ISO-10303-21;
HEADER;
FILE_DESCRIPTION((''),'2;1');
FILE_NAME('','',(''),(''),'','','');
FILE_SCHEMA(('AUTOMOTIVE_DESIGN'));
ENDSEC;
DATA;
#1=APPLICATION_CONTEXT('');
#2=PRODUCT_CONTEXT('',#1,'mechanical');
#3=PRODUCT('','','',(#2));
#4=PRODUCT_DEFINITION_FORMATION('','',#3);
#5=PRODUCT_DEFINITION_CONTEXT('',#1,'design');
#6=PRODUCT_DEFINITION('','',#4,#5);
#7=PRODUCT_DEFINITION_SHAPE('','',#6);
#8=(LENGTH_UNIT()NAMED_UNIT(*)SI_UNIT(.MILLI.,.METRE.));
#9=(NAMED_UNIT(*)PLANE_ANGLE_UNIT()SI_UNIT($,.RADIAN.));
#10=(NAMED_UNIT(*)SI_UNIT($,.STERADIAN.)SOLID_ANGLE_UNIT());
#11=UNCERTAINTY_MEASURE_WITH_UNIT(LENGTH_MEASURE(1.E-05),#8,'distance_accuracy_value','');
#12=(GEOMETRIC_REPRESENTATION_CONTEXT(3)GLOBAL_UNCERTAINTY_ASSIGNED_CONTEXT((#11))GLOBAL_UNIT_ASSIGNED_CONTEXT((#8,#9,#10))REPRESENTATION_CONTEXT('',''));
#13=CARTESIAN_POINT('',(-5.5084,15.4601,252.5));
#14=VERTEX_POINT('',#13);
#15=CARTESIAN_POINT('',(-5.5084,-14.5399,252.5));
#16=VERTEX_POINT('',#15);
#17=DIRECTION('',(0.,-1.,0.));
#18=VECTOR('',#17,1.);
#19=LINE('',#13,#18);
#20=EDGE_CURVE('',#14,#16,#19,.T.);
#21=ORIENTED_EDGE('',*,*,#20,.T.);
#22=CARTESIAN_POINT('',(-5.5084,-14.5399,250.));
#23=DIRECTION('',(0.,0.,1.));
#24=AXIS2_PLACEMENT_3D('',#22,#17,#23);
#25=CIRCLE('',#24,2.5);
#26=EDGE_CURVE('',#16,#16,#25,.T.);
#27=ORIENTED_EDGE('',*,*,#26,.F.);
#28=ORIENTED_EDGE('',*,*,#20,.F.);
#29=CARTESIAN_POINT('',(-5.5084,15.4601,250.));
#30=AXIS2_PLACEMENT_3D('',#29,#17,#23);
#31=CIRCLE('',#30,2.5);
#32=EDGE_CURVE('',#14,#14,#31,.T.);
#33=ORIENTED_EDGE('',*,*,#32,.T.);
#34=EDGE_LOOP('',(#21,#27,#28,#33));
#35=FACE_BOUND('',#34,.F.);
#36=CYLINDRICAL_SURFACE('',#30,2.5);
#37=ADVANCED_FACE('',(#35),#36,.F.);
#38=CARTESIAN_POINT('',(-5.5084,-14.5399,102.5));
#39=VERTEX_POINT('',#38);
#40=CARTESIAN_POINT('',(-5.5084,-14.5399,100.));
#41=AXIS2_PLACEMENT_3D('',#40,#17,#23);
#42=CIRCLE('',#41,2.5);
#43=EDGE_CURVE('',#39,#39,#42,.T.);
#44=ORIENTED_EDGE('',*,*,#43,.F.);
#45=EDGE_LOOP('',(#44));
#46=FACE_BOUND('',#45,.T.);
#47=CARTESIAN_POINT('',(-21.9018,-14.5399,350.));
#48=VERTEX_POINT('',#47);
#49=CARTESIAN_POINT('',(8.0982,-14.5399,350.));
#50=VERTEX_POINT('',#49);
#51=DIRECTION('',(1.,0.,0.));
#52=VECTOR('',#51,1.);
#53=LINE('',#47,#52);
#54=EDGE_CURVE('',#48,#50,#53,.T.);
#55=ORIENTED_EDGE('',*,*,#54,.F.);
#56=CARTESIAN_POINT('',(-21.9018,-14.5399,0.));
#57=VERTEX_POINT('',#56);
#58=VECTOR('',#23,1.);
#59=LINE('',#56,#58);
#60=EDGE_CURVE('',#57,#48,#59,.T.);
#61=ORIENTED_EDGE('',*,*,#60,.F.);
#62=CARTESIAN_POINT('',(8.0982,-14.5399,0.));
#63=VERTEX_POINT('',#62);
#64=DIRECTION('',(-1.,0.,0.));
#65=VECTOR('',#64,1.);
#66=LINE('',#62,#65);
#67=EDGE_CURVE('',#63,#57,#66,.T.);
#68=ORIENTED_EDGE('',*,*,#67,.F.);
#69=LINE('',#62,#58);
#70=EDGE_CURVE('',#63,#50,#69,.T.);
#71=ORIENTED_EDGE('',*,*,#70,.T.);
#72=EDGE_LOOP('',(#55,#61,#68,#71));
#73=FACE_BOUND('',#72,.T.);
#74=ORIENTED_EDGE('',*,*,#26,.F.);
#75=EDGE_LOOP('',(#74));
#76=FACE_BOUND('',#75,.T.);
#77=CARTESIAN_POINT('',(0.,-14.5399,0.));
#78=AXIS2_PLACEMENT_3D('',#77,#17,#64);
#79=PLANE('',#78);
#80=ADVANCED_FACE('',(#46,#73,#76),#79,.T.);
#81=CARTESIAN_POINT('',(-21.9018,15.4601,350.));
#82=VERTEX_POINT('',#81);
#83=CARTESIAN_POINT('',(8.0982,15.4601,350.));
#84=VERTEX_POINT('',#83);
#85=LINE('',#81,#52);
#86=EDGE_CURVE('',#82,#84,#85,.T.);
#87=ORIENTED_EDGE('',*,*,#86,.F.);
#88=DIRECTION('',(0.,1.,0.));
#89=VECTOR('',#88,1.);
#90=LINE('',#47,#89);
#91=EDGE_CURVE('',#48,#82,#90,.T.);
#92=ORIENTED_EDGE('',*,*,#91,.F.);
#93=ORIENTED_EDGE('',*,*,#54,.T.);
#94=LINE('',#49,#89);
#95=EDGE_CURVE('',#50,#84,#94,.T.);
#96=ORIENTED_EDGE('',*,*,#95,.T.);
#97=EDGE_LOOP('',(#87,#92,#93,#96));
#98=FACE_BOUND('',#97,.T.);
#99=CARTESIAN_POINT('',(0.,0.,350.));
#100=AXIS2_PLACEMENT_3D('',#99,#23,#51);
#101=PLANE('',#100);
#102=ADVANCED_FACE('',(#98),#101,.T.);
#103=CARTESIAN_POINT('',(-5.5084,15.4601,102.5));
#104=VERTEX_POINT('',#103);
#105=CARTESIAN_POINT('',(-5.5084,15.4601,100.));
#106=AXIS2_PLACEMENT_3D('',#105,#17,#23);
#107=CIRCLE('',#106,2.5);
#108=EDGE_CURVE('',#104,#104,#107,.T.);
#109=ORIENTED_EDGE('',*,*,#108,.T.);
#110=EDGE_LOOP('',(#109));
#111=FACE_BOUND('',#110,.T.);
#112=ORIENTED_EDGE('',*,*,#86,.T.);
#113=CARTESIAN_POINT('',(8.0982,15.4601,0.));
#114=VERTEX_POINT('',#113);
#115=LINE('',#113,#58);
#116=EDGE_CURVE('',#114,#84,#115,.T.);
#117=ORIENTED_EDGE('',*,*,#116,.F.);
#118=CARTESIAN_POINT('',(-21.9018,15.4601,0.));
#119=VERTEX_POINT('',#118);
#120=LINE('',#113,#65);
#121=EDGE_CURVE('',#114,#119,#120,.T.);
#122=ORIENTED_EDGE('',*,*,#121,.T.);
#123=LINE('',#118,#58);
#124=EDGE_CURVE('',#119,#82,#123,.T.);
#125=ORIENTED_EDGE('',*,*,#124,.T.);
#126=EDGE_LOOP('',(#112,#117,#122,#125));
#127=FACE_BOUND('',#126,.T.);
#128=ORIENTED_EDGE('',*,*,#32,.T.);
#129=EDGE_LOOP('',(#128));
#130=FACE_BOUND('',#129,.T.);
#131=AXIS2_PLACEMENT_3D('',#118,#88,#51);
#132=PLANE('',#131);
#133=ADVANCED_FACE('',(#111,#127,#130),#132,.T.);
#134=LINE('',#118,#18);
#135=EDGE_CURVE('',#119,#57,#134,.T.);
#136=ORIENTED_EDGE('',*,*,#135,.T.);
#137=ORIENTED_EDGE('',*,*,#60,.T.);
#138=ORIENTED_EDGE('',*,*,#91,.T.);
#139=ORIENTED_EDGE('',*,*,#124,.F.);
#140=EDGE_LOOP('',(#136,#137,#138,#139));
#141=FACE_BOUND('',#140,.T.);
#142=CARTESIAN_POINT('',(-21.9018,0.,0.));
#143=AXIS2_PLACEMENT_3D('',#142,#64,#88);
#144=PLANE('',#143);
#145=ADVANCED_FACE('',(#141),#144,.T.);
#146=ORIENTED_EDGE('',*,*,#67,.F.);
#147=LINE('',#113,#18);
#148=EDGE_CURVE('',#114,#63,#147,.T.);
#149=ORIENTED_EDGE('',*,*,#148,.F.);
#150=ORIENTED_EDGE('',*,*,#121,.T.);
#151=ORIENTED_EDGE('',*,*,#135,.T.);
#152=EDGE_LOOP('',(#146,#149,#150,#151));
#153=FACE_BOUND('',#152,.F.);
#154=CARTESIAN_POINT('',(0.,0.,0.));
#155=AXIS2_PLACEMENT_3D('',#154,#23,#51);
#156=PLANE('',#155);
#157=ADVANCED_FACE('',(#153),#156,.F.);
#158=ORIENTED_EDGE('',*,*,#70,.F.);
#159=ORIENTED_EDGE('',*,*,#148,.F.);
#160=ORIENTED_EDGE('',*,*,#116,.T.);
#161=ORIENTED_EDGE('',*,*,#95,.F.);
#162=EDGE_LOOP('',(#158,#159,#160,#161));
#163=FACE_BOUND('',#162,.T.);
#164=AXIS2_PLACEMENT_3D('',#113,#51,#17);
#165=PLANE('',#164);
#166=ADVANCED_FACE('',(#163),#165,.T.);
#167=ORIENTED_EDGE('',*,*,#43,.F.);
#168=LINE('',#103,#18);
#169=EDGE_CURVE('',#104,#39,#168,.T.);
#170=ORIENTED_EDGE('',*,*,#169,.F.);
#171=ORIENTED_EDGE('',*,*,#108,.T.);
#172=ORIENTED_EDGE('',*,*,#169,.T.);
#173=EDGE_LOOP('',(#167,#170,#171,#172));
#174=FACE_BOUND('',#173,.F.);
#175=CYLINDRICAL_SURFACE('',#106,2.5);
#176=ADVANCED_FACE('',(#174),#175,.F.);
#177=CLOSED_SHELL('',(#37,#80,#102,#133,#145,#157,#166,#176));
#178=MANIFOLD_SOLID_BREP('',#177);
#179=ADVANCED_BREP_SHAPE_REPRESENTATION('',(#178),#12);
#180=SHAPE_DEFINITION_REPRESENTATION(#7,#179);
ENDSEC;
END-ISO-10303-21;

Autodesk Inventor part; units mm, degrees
ref_plane "YZ Plane" through (0, 0, 0) normal (1, 0, 0) x (0, 1, 0)
ref_plane "XZ Plane" through (0, 0, 0) normal (0, 1, 0) x (-1, 0, 0)
ref_plane "XY Plane" through (0, 0, 0) normal (0, 0, 1) x (1, 0, 0)
sketch "Skizze1" plane through (0, 0, 0) normal (0, 0, 1) x (1, 0, 0)
  line L0 (-27.9018, 0) -> (14.0982, 0) projected
  line L1 (0, -20.5399) -> (0, 21.4601) projected
  line L2 (-21.9018, 15.4601) -> (8.0982, 15.4601)
  line L3 (8.0982, 15.4601) -> (8.0982, -14.5399)
  line L4 (8.0982, -14.5399) -> (-21.9018, -14.5399)
  line L5 (-21.9018, -14.5399) -> (-21.9018, 15.4601)
  point P0 (0, 0)
  dimension "d0" = 30
  dimension "d1" = 30
extrude "Extrusion1" add sketch "Skizze1" along normal blind 350
sketch "Skizze2" plane through (-21.9018, 15.4601, 0) normal (0, 1, 0) x (1, 0, 0)
  line L0 (30, 0) -> (0, 0) projected
  line L1 (30, -350) -> (0, -350) projected
  point P0 (21.9018, 0)
  point P1 (16.3934, -100)
  point P2 (16.3934, -250)
  dimension "d4" = 100
  dimension "d5" = 100
hole "Bohrung1" at (-5.5084, 15.4601, 100) at (-5.5084, 15.4601, 250) direction (0, -1, 0) diameter 5 end through all
properties part number "Träger vorne"
